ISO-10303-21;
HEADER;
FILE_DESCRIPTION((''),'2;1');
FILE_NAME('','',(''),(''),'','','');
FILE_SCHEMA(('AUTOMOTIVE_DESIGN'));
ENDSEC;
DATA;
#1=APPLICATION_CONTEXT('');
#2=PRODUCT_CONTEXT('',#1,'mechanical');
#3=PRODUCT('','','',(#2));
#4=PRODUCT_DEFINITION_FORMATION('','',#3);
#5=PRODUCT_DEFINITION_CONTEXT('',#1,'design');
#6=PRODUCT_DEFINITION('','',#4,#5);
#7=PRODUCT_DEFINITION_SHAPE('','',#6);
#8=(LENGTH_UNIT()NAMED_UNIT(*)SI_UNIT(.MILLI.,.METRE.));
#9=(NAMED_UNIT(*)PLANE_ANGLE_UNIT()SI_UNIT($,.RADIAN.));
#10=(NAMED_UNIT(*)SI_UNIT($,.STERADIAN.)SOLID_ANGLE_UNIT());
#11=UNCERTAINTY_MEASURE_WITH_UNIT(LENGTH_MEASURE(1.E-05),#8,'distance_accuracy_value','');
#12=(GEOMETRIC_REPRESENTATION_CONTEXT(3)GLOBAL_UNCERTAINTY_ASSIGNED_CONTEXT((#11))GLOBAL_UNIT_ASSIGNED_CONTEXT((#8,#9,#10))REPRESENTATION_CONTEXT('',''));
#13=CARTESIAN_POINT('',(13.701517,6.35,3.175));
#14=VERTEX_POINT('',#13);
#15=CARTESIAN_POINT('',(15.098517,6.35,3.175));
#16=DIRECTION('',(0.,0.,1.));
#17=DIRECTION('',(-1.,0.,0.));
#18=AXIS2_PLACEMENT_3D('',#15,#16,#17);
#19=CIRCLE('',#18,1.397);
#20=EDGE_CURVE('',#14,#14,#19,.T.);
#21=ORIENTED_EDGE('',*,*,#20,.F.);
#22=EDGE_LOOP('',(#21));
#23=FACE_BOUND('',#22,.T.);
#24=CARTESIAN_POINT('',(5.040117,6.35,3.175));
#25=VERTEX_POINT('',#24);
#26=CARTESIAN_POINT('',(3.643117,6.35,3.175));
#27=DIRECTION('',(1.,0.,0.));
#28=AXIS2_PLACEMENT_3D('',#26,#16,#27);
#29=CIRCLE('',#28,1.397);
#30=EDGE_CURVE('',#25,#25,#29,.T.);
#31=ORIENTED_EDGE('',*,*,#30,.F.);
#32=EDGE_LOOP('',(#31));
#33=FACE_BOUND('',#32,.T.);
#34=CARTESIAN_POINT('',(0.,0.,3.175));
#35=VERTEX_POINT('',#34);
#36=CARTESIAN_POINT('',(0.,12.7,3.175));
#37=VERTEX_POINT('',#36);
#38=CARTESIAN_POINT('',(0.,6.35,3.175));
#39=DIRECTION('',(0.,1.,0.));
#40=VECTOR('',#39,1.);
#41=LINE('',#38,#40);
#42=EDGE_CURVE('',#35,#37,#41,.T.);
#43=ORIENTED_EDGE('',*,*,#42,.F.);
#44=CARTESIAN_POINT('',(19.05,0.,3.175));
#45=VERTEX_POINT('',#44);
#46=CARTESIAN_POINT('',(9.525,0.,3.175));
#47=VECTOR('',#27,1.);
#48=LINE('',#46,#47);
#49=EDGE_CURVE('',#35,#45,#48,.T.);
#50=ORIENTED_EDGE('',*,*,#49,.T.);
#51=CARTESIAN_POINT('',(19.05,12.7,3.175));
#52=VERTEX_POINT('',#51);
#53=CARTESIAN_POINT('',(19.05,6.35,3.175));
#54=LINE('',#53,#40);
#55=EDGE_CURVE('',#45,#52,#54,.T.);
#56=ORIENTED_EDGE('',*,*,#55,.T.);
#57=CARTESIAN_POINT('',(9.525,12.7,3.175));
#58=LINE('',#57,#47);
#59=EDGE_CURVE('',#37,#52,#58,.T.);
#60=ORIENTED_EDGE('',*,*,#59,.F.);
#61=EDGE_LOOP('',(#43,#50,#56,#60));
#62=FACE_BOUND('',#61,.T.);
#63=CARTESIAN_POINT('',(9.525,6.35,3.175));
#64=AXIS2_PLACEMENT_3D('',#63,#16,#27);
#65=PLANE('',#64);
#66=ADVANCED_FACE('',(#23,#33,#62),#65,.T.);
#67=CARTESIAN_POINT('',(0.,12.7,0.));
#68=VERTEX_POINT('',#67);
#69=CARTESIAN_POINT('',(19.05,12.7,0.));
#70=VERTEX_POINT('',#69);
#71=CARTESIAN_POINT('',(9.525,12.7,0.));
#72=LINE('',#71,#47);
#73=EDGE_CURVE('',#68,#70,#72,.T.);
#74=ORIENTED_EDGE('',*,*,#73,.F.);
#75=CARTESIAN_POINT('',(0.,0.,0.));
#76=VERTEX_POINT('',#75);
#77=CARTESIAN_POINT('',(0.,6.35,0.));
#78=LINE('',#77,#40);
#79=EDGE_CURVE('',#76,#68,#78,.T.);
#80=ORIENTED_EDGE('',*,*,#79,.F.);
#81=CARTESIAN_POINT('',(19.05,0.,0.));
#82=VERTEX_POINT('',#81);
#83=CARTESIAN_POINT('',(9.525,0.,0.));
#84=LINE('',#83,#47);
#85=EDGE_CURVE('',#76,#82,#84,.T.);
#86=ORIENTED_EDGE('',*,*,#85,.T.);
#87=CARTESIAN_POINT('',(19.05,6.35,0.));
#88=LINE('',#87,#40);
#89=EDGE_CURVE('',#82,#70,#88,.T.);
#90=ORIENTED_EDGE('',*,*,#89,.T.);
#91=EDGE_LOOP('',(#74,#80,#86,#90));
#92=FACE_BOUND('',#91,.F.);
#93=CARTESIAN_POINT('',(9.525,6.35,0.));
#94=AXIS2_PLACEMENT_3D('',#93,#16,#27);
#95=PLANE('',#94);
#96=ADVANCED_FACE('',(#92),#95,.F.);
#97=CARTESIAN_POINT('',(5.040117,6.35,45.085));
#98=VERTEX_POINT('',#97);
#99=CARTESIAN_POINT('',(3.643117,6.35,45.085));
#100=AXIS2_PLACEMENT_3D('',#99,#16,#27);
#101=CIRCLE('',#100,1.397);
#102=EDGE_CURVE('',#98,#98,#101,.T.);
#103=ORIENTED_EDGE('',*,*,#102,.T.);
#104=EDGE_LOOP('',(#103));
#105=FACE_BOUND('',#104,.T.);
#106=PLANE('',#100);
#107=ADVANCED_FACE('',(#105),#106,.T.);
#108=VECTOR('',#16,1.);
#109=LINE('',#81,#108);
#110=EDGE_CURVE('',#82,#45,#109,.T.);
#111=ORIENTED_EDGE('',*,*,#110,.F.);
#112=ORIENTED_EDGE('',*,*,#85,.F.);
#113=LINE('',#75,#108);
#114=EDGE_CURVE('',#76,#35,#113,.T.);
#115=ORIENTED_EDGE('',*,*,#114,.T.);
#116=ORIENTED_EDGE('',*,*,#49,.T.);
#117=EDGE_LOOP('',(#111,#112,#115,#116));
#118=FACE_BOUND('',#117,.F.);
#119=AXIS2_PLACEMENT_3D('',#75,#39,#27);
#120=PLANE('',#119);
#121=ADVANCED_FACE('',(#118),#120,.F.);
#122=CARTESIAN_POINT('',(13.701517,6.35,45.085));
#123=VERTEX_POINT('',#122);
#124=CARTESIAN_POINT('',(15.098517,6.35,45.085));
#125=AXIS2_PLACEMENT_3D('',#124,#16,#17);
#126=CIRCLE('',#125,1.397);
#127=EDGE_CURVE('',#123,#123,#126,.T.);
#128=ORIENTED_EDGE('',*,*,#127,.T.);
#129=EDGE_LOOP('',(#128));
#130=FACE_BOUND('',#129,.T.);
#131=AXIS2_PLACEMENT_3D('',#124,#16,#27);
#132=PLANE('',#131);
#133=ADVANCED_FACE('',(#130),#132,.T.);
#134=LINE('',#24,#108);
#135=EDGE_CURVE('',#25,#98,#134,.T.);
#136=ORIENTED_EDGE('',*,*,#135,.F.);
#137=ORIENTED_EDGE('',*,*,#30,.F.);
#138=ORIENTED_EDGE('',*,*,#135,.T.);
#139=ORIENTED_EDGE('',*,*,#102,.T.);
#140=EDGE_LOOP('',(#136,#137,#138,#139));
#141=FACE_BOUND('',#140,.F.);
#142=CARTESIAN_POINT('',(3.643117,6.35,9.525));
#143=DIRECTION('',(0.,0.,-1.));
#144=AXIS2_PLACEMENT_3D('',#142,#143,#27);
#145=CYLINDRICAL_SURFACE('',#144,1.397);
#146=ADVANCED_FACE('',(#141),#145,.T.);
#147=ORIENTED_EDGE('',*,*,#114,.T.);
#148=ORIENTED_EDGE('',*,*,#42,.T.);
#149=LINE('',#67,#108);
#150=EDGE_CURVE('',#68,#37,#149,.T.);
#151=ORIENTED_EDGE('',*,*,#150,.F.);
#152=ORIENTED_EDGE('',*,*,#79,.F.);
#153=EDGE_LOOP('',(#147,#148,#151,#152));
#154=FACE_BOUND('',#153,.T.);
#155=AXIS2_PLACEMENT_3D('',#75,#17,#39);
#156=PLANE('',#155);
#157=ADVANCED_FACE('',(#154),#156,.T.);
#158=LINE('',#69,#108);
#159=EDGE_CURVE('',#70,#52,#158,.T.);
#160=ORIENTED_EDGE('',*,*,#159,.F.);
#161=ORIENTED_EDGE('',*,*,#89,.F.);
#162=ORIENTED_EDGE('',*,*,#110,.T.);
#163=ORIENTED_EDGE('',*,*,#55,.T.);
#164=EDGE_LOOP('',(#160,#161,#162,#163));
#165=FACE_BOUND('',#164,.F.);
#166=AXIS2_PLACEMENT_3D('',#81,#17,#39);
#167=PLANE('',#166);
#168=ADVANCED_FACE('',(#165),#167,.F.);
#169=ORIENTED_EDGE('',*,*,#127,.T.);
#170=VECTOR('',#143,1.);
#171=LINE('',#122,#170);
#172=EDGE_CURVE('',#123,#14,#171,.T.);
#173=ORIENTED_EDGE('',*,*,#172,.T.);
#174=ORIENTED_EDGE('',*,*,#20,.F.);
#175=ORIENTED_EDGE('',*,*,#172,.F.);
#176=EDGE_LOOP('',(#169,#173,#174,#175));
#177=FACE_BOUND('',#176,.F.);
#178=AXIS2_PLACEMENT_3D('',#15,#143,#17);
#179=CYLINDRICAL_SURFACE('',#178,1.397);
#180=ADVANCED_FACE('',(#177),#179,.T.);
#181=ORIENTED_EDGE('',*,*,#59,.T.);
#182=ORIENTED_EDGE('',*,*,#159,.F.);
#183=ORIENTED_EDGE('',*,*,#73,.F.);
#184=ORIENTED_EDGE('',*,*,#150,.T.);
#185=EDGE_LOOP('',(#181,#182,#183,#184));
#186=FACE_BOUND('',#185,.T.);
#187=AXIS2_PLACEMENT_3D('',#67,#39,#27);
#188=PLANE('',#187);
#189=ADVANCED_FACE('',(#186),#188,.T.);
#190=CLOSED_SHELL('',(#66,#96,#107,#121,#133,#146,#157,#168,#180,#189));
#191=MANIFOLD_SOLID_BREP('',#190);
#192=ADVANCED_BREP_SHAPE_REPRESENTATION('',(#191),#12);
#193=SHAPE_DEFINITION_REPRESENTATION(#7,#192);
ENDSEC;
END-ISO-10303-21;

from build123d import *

# Parameters (mm, degrees)
F0_W     = 19.05
F0_H     = 12.7
F1_DEPTH = 3.175
F2_R     = 1.397
F3_DEPTH = 6.35
F4_R     = 1.397
F5_DEPTH = 35.56


with BuildPart() as f1:
    # F0 (on Top) → F1 (new body)
    with BuildSketch(Plane.XY):
        with Locations((9.525, 6.35)):
            Rectangle(F0_W, F0_H)
    extrude(amount=F1_DEPTH)

    # F2 (on face) → F3 (join)
    with BuildSketch(Plane.XY.offset(3.175)):
        with Locations((3.643117, 6.35)):
            Circle(F2_R)
        with BuildLine():
            ThreePointArc((16.495517, 6.35), (15.098517, 7.747), (13.701517, 6.35))
            ThreePointArc((13.701517, 6.35), (15.098517, 4.953), (16.495517, 6.35))
        make_face()
    extrude(amount=F3_DEPTH)

    # F4 (on face) → F5 (join)
    with BuildSketch(Plane.XY.offset(9.525)):
        with Locations((3.643117, 6.35)):
            Circle(F4_R)
        with BuildLine():
            ThreePointArc((16.495517, 6.35), (15.098517, 7.747), (13.701517, 6.35))
            ThreePointArc((13.701517, 6.35), (15.098517, 4.953), (16.495517, 6.35))
        make_face()
    extrude(amount=F5_DEPTH)


solid = f1.part
